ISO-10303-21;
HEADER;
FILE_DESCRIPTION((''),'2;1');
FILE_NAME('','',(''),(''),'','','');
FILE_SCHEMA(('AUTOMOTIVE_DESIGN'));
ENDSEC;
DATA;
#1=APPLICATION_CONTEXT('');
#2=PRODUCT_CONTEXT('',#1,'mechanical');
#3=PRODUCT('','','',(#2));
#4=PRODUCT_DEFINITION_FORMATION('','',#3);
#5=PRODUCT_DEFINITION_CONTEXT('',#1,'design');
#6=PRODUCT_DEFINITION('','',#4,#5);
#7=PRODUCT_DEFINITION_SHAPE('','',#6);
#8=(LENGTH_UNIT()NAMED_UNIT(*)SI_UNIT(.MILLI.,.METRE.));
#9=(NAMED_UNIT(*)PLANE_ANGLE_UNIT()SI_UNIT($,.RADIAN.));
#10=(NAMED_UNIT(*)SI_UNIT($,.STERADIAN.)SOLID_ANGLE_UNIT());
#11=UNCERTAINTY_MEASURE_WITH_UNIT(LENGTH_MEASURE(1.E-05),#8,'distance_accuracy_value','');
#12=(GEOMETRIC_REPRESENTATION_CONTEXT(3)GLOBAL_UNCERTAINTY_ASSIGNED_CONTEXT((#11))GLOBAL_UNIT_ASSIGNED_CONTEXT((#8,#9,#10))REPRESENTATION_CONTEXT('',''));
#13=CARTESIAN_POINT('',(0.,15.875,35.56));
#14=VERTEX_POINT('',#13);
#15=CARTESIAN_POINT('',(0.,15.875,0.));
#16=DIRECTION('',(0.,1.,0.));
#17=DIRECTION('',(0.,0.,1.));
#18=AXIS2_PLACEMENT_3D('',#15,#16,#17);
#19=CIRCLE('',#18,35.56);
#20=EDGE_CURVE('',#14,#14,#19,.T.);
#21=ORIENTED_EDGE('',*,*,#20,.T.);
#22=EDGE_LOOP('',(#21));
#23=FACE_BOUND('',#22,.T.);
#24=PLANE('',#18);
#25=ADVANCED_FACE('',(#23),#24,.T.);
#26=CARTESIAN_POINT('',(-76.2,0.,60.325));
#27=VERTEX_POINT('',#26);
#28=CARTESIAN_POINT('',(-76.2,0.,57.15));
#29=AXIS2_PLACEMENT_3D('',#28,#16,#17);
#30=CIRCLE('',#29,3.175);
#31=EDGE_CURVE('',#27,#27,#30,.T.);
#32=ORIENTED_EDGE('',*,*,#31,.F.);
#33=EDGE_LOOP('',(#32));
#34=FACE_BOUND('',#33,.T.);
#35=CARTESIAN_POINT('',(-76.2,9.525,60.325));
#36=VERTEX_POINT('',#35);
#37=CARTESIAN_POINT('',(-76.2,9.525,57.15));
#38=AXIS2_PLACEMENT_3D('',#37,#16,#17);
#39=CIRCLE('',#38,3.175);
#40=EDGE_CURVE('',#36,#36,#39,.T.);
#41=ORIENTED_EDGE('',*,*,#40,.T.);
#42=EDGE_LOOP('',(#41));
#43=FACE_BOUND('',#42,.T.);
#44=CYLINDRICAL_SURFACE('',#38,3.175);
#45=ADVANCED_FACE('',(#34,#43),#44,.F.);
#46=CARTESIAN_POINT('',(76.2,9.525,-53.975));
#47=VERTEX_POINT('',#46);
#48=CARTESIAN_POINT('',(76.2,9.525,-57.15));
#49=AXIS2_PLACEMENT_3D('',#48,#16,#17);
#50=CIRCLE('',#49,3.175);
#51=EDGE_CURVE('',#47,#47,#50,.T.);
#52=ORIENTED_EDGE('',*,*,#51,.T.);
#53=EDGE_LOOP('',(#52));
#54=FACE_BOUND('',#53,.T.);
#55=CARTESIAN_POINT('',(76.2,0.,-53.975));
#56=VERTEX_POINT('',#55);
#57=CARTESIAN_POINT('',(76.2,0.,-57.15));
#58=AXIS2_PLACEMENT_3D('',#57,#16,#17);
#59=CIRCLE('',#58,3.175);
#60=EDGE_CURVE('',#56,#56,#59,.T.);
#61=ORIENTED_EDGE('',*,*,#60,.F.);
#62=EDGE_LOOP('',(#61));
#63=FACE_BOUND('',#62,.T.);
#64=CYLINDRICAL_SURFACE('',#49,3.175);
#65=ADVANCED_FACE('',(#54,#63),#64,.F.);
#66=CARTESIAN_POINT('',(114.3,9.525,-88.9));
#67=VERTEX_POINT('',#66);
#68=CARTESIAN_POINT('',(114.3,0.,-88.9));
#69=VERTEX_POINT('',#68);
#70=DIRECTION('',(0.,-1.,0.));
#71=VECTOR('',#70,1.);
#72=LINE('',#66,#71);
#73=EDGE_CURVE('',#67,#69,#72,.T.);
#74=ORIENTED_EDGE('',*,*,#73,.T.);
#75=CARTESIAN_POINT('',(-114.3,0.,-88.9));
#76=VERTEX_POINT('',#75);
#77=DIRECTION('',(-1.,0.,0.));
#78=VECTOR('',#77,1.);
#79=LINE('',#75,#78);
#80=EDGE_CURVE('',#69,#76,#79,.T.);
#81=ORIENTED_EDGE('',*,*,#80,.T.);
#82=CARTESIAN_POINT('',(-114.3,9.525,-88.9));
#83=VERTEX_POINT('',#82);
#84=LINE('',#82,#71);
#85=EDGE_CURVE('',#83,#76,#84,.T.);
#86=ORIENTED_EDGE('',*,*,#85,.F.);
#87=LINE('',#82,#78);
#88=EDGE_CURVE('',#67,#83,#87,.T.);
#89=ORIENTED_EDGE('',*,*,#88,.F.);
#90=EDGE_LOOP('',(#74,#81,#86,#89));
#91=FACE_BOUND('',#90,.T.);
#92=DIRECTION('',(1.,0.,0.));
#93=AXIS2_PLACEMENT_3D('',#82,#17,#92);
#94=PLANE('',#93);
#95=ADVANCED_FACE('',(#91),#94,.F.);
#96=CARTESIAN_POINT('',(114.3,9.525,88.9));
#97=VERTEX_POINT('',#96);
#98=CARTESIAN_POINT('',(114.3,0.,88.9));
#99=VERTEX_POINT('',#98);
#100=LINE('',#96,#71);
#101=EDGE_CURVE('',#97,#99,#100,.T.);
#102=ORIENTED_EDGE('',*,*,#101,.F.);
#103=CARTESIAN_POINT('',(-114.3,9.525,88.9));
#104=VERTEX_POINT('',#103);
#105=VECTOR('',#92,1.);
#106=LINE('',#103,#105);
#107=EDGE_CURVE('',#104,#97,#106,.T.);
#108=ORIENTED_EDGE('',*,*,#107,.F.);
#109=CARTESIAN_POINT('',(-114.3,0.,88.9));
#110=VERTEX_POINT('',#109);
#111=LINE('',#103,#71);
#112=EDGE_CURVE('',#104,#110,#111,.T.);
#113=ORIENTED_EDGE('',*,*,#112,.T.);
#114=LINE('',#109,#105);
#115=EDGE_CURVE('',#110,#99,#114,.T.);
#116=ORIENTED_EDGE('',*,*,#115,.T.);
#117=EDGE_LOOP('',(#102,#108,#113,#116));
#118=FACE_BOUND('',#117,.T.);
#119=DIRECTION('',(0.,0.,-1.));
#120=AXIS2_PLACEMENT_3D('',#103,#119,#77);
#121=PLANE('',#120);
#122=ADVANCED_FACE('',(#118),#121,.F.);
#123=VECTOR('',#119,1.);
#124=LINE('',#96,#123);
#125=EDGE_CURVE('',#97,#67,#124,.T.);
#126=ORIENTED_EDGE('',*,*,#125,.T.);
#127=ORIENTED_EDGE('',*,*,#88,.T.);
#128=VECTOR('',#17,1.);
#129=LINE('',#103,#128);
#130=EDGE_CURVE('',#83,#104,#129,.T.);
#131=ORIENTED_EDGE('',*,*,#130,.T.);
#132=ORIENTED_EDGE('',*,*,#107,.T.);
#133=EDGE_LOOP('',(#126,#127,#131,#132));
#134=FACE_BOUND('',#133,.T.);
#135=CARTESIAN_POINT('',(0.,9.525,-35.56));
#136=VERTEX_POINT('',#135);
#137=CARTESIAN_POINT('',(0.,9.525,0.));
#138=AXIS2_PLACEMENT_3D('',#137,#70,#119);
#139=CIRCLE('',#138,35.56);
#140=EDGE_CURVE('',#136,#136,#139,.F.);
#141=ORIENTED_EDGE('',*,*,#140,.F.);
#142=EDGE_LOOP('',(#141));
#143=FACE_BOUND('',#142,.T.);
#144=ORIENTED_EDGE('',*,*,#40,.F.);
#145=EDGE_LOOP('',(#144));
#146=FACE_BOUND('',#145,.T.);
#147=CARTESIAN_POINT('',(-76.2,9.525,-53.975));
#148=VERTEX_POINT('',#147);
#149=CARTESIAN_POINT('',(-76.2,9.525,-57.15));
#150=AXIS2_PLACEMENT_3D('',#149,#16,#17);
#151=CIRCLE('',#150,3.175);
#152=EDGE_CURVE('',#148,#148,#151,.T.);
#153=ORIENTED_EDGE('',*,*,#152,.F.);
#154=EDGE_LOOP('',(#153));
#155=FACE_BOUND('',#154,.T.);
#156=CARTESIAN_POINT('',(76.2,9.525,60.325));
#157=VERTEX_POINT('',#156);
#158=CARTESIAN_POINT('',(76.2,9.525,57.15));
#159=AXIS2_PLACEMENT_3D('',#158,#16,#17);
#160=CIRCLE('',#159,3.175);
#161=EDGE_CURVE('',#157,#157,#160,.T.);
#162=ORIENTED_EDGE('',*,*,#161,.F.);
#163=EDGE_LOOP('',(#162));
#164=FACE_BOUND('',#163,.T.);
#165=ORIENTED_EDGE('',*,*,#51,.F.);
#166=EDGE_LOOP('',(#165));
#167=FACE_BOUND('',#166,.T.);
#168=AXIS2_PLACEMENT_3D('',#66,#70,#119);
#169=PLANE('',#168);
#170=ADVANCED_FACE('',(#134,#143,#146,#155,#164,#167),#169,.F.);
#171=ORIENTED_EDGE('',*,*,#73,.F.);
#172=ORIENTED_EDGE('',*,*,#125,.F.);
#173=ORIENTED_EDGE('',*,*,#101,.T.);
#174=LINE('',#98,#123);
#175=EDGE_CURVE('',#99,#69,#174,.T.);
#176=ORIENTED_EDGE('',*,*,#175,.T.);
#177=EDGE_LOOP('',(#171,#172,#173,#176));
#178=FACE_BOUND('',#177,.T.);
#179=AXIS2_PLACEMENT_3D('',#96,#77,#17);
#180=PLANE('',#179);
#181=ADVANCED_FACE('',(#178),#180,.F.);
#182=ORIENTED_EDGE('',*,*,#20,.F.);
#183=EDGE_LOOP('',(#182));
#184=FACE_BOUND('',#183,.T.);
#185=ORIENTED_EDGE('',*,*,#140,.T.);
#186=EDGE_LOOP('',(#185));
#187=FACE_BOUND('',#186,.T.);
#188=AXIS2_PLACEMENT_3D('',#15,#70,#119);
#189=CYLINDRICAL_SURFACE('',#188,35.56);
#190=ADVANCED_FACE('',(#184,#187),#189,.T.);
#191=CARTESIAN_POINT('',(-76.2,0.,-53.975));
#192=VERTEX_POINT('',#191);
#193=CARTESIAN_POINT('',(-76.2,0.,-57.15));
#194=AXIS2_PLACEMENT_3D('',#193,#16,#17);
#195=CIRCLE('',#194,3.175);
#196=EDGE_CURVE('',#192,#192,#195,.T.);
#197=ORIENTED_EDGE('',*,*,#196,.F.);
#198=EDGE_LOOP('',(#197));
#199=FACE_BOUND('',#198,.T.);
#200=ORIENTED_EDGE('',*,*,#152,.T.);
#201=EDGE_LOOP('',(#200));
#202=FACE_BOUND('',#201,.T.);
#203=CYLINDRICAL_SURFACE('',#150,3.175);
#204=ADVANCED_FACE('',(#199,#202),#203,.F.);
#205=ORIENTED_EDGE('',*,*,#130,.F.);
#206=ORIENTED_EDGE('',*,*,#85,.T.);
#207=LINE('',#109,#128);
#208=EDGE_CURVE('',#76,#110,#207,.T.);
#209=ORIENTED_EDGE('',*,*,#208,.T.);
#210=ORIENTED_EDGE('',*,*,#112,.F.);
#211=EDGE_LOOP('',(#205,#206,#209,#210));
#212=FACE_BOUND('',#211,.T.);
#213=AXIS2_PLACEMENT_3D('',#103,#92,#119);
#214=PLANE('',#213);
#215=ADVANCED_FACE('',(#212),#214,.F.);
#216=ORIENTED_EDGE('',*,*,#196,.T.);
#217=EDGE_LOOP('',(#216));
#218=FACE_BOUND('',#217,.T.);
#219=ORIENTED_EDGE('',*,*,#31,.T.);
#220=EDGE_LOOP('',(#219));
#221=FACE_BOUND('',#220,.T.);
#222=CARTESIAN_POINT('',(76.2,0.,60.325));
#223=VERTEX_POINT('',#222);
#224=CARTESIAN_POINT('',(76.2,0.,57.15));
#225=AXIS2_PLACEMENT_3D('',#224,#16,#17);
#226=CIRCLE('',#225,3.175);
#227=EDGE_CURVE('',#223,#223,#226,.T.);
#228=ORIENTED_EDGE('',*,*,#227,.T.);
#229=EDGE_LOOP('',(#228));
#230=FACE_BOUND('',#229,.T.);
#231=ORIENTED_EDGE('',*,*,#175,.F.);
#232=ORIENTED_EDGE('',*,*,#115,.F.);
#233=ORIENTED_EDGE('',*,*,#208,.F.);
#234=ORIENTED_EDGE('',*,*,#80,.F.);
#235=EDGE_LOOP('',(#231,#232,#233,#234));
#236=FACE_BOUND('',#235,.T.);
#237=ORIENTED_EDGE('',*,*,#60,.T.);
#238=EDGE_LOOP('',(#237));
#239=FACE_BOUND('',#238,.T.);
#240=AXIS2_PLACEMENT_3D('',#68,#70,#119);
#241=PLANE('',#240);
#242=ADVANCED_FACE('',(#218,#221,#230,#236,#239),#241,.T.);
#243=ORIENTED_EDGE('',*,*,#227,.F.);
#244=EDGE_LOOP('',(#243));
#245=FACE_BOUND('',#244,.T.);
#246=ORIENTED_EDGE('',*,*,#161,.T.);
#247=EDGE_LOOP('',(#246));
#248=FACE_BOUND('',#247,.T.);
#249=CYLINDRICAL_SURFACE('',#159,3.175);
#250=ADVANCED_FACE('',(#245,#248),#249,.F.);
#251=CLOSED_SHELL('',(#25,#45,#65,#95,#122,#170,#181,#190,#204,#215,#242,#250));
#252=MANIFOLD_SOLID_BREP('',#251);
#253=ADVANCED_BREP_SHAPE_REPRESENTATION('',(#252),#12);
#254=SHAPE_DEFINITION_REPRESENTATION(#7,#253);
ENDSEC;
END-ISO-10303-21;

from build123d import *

# Parameters (mm, degrees)
SKETCH1_W               = 228.6
SKETCH1_H               = 177.8
BOSS_EXTRUDE1_DEPTH     = 9.525
F_1_4_20_TAPPED_HOLE1_D = 6.35
SKETCH5_R               = 35.56
BOSS_EXTRUDE2_DEPTH     = 6.35


with BuildPart() as part:
    # Sketch1 → Boss-Extrude1 (new body)
    with BuildSketch(Plane(origin=(0, 0, 0), x_dir=(1, 0, 0), z_dir=(0, 1, 0))):
        Rectangle(SKETCH1_W, SKETCH1_H)
    extrude(amount=BOSS_EXTRUDE1_DEPTH)

    # 1/4-20 Tapped Hole1 (through all)
    with Locations(Plane(origin=(0, 9.525, 0), x_dir=(-1, 0, 0), z_dir=(0, 1, 0))):
        with Locations((76.2, -57.15), (76.2, 57.15), (-76.2, 57.15), (-76.2, -57.15)):
            Hole(F_1_4_20_TAPPED_HOLE1_D / 2)

    # Sketch5 → Boss-Extrude2 (add)
    with BuildSketch(Plane(origin=(0, 9.525, 0), x_dir=(1, 0, 0), z_dir=(0, 1, 0))):
        with Locations(Location((0, 0, 0), (0, 0, 90))):
            Circle(SKETCH5_R)
    extrude(amount=BOSS_EXTRUDE2_DEPTH)


solid = part.part
